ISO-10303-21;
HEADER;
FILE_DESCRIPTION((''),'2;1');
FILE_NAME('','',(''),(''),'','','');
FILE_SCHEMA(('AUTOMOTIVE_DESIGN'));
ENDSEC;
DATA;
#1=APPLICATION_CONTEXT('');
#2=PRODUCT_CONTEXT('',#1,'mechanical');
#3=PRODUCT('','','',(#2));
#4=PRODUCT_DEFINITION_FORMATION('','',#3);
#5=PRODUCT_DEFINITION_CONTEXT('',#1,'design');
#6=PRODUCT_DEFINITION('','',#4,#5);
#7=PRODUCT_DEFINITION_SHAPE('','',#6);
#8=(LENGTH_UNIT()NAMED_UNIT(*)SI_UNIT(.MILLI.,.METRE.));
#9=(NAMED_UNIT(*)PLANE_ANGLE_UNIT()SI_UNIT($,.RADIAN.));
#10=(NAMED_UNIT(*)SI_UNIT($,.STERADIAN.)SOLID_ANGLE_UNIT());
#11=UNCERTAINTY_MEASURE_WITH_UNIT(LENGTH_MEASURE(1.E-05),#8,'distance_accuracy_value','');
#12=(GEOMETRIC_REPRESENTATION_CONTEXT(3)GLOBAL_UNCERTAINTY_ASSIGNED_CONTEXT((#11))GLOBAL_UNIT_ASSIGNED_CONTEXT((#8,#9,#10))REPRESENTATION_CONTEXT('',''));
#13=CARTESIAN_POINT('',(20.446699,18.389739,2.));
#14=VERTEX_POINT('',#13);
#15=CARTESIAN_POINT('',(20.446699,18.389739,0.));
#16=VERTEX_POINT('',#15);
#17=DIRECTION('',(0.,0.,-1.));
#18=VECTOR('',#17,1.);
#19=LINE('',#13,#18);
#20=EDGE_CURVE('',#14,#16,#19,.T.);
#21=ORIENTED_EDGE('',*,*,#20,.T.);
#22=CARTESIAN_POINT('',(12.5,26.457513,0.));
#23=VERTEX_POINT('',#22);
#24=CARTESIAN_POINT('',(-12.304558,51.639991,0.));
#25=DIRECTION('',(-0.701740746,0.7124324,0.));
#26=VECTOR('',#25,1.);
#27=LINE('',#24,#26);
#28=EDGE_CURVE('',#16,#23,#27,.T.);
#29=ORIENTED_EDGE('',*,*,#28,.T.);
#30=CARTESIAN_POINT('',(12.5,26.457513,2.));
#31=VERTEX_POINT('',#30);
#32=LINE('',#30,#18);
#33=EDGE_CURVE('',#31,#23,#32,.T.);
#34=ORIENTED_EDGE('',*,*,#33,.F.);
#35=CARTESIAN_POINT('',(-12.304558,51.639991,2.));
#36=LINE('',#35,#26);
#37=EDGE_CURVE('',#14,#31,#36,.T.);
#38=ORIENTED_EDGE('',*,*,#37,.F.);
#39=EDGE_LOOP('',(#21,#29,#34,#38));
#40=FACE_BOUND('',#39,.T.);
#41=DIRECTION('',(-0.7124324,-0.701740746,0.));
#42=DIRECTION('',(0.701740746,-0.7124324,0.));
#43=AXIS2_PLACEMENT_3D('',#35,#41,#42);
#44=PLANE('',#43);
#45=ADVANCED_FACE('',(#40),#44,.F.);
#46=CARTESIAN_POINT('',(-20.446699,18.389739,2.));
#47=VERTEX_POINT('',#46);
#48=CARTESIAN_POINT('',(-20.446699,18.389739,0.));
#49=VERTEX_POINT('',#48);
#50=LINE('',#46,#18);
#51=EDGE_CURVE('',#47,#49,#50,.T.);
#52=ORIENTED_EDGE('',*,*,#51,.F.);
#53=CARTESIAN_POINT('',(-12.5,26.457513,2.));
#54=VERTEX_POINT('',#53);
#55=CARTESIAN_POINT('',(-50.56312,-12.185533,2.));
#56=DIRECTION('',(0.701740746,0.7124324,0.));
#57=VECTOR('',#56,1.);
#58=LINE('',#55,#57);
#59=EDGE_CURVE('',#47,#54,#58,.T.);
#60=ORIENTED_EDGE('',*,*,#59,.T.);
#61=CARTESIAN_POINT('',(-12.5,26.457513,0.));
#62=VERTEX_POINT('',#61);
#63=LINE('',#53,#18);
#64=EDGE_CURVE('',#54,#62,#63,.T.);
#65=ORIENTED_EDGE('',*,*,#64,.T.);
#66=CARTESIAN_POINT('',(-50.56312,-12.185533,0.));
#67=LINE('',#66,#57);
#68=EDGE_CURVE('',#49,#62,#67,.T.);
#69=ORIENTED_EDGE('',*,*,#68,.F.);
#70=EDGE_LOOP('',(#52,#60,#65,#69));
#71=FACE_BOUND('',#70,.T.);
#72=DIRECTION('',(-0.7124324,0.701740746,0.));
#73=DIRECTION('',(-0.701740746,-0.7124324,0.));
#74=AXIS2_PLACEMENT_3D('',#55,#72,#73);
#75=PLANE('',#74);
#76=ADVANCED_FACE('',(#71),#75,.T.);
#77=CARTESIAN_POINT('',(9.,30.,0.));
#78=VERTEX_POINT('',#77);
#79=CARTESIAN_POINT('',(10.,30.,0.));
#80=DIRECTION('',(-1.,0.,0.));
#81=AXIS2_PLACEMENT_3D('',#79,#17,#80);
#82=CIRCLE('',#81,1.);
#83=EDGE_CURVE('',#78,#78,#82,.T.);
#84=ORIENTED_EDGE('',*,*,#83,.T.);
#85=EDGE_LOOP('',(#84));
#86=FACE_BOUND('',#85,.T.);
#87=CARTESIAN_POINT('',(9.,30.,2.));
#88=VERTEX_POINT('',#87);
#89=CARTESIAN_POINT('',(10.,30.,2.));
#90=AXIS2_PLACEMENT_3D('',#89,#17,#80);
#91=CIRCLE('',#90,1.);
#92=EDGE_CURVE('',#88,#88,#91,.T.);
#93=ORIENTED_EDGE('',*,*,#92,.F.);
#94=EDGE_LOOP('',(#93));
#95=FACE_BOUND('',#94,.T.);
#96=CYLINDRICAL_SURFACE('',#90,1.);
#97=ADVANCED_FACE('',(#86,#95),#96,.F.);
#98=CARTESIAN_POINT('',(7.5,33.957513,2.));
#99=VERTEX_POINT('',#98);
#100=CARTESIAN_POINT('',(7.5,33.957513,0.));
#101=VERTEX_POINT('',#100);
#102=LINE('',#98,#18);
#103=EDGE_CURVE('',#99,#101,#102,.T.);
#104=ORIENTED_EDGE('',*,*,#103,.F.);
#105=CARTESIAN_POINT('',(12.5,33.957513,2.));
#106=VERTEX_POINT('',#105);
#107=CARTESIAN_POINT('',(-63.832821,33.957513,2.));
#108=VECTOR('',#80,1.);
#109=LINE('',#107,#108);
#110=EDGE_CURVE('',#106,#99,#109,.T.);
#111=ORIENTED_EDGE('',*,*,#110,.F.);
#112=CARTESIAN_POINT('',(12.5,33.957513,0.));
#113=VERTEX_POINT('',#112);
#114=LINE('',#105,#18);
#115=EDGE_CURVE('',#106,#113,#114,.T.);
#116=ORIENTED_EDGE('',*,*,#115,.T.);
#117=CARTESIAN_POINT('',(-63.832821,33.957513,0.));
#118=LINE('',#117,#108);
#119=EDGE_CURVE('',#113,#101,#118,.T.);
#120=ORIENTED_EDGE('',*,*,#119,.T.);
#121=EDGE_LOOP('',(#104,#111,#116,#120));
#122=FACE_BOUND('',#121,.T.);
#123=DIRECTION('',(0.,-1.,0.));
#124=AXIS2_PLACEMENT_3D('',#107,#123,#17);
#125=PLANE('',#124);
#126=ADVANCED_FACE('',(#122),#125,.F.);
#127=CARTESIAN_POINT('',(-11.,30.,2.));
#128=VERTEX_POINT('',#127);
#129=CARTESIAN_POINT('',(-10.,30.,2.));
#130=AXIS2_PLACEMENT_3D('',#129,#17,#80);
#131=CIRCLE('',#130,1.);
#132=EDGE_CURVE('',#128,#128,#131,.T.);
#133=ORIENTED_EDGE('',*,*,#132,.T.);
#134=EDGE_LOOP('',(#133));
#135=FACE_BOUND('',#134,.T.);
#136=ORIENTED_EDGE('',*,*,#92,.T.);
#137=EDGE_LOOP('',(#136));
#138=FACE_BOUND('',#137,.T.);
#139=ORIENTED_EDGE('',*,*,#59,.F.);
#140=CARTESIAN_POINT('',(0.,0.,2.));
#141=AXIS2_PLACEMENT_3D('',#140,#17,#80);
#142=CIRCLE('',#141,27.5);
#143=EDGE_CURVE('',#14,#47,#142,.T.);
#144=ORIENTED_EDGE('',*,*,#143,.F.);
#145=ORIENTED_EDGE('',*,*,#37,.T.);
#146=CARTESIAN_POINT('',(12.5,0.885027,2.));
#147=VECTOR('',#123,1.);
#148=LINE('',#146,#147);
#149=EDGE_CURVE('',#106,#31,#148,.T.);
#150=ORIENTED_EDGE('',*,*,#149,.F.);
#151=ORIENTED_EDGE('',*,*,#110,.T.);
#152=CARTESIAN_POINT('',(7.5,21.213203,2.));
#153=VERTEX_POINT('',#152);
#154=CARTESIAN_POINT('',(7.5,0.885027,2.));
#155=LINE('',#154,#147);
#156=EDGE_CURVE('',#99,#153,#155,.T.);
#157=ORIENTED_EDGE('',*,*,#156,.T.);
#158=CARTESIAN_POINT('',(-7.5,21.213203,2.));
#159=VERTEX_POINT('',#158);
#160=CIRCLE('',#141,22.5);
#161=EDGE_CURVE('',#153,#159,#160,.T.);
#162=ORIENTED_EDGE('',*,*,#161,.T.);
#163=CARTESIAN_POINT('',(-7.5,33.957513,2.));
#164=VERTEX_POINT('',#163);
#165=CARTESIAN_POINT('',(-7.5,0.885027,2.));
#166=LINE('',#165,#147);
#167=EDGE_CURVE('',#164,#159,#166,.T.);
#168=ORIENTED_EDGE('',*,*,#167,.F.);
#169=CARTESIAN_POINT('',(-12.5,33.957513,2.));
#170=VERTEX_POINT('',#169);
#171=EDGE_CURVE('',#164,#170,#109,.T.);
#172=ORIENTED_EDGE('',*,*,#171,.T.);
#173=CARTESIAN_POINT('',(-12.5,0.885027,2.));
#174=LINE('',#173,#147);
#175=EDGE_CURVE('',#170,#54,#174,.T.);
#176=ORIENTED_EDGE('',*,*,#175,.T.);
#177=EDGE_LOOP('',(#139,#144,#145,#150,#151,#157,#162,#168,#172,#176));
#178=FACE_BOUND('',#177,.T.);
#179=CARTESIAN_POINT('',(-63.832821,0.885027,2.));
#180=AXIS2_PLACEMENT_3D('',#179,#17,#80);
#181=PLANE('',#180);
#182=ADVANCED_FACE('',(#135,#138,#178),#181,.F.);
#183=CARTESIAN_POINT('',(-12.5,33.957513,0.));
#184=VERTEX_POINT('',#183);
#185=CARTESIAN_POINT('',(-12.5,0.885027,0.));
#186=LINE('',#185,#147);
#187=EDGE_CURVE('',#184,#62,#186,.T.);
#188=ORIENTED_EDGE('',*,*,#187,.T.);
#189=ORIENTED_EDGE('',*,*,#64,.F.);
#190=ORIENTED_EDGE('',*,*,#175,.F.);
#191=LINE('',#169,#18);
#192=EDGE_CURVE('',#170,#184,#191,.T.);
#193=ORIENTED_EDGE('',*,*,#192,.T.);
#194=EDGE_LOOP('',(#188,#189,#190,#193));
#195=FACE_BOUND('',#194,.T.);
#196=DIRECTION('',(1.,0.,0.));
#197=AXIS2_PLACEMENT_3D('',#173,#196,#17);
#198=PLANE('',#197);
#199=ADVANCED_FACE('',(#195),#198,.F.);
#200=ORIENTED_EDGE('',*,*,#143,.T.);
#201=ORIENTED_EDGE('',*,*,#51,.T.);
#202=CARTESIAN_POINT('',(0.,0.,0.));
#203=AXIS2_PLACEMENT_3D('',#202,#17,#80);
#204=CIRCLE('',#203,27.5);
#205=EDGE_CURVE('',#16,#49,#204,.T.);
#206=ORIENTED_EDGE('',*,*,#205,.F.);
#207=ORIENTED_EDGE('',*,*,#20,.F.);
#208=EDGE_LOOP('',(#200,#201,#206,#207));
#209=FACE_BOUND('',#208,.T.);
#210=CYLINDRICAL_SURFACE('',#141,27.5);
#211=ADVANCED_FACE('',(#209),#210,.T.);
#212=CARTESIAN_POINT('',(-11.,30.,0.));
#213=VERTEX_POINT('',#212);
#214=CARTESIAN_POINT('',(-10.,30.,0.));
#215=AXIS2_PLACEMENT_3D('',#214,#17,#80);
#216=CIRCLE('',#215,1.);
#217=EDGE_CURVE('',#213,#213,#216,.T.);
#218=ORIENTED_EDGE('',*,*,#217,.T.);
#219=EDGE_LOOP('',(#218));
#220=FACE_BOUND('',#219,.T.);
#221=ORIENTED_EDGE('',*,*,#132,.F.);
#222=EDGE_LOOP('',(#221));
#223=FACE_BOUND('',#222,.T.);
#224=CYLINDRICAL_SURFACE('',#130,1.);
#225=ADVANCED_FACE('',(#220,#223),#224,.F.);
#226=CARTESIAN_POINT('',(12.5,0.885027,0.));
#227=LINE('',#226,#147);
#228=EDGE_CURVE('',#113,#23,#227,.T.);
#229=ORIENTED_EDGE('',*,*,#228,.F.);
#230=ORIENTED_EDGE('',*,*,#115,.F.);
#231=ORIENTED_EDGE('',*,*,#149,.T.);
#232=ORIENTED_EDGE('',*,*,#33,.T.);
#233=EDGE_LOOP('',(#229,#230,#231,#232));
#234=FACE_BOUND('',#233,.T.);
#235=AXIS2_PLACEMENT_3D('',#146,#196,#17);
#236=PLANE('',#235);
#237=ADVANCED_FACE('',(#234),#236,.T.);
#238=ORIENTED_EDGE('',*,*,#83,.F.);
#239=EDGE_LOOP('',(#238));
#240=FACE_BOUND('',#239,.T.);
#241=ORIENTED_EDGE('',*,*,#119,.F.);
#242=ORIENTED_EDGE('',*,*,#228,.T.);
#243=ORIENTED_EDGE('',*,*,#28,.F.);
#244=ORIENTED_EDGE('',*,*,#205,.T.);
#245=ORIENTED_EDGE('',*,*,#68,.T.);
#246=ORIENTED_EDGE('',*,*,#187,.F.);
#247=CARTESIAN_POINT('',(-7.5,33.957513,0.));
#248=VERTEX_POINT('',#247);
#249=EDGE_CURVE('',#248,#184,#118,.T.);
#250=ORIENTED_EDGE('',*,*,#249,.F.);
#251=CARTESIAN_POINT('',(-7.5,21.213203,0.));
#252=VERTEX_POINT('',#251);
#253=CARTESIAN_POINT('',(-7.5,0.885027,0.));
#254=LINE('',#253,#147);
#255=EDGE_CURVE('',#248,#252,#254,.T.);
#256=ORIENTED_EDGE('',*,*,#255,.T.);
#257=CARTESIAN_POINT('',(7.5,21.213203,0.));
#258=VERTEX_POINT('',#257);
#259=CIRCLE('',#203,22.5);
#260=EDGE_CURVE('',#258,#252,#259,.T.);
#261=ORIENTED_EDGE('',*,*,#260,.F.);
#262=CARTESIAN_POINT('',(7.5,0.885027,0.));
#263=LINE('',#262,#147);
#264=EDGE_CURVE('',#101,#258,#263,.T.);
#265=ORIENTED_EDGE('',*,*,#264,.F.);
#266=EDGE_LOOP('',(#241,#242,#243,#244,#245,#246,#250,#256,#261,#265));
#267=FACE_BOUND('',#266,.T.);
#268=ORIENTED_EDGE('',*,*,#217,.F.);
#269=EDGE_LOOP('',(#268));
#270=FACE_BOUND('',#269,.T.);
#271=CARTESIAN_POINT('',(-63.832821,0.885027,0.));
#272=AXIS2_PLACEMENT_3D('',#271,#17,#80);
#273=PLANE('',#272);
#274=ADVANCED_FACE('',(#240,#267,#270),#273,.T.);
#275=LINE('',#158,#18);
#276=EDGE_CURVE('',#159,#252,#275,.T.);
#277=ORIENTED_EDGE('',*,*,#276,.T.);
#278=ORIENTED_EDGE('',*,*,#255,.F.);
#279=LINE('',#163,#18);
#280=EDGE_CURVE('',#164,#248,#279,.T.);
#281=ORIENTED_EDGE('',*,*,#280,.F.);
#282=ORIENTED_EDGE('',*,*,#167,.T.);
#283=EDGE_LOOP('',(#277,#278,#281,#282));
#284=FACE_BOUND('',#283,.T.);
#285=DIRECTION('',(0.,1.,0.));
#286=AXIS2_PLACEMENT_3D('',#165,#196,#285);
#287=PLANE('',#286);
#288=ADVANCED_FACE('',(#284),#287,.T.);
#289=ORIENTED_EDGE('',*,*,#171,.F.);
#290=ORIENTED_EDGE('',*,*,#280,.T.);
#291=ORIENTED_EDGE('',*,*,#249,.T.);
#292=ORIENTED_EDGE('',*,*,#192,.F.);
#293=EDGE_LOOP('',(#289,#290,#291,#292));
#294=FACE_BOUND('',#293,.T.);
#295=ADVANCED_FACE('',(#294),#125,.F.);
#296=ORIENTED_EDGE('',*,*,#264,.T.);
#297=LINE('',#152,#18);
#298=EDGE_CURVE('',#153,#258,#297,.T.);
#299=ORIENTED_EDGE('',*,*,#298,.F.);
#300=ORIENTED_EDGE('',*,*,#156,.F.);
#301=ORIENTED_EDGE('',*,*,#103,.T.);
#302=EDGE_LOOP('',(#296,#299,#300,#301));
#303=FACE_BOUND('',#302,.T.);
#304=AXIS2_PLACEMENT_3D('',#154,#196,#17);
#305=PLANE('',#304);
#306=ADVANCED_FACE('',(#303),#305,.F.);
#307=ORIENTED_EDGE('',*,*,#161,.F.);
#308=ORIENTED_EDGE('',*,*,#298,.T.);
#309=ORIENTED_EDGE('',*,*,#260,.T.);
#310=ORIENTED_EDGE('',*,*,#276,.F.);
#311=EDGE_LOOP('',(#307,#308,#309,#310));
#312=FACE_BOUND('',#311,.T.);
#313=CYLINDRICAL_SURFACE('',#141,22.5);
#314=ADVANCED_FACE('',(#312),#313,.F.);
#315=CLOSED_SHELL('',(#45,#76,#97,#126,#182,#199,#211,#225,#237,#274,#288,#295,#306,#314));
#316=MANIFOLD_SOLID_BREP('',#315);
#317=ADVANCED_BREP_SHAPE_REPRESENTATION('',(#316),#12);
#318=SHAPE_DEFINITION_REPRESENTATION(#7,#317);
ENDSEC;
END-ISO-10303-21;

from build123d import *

# Parameters (mm, degrees)
SKETCH1_R      = 1
EXTRUDE1_DEPTH = 2


with BuildPart() as part:
    # Sketch1 → Extrude1 (new body)
    with BuildSketch(Plane.XY):
        with BuildLine():
            Line((-12.5, 33.957513111), (-12.5, 26.457513111))
            Line((-12.5, 26.457513111), (-18.696787712, 20.166311741))
            Line((-18.696787712, 20.166311741), (-20.446699126, 18.389738847))
            ThreePointArc((-20.446699126, 18.389738847), (0, -27.5), (20.446699126, 18.389738847))
            Line((20.446699126, 18.389738847), (18.696787712, 20.166311741))
            Line((18.696787712, 20.166311741), (12.5, 26.457513111))
            Line((12.5, 26.457513111), (12.5, 33.957513111))
            Line((12.5, 33.957513111), (7.5, 33.957513111))
            Line((7.5, 33.957513111), (7.5, 21.213203436))
            ThreePointArc((7.5, 21.213203436), (0, -22.5), (-7.5, 21.213203436))
            Line((-7.5, 21.213203436), (-7.5, 33.957513111))
            Line((-7.5, 33.957513111), (-12.5, 33.957513111))
        make_face()
        with Locations(Location((-10, 30, 0), (0, 0, 180))):
            Circle(SKETCH1_R, mode=Mode.SUBTRACT)
        with Locations(Location((10, 30, 0), (0, 0, 180))):
            Circle(SKETCH1_R, mode=Mode.SUBTRACT)
    extrude(amount=EXTRUDE1_DEPTH)


solid = part.part
